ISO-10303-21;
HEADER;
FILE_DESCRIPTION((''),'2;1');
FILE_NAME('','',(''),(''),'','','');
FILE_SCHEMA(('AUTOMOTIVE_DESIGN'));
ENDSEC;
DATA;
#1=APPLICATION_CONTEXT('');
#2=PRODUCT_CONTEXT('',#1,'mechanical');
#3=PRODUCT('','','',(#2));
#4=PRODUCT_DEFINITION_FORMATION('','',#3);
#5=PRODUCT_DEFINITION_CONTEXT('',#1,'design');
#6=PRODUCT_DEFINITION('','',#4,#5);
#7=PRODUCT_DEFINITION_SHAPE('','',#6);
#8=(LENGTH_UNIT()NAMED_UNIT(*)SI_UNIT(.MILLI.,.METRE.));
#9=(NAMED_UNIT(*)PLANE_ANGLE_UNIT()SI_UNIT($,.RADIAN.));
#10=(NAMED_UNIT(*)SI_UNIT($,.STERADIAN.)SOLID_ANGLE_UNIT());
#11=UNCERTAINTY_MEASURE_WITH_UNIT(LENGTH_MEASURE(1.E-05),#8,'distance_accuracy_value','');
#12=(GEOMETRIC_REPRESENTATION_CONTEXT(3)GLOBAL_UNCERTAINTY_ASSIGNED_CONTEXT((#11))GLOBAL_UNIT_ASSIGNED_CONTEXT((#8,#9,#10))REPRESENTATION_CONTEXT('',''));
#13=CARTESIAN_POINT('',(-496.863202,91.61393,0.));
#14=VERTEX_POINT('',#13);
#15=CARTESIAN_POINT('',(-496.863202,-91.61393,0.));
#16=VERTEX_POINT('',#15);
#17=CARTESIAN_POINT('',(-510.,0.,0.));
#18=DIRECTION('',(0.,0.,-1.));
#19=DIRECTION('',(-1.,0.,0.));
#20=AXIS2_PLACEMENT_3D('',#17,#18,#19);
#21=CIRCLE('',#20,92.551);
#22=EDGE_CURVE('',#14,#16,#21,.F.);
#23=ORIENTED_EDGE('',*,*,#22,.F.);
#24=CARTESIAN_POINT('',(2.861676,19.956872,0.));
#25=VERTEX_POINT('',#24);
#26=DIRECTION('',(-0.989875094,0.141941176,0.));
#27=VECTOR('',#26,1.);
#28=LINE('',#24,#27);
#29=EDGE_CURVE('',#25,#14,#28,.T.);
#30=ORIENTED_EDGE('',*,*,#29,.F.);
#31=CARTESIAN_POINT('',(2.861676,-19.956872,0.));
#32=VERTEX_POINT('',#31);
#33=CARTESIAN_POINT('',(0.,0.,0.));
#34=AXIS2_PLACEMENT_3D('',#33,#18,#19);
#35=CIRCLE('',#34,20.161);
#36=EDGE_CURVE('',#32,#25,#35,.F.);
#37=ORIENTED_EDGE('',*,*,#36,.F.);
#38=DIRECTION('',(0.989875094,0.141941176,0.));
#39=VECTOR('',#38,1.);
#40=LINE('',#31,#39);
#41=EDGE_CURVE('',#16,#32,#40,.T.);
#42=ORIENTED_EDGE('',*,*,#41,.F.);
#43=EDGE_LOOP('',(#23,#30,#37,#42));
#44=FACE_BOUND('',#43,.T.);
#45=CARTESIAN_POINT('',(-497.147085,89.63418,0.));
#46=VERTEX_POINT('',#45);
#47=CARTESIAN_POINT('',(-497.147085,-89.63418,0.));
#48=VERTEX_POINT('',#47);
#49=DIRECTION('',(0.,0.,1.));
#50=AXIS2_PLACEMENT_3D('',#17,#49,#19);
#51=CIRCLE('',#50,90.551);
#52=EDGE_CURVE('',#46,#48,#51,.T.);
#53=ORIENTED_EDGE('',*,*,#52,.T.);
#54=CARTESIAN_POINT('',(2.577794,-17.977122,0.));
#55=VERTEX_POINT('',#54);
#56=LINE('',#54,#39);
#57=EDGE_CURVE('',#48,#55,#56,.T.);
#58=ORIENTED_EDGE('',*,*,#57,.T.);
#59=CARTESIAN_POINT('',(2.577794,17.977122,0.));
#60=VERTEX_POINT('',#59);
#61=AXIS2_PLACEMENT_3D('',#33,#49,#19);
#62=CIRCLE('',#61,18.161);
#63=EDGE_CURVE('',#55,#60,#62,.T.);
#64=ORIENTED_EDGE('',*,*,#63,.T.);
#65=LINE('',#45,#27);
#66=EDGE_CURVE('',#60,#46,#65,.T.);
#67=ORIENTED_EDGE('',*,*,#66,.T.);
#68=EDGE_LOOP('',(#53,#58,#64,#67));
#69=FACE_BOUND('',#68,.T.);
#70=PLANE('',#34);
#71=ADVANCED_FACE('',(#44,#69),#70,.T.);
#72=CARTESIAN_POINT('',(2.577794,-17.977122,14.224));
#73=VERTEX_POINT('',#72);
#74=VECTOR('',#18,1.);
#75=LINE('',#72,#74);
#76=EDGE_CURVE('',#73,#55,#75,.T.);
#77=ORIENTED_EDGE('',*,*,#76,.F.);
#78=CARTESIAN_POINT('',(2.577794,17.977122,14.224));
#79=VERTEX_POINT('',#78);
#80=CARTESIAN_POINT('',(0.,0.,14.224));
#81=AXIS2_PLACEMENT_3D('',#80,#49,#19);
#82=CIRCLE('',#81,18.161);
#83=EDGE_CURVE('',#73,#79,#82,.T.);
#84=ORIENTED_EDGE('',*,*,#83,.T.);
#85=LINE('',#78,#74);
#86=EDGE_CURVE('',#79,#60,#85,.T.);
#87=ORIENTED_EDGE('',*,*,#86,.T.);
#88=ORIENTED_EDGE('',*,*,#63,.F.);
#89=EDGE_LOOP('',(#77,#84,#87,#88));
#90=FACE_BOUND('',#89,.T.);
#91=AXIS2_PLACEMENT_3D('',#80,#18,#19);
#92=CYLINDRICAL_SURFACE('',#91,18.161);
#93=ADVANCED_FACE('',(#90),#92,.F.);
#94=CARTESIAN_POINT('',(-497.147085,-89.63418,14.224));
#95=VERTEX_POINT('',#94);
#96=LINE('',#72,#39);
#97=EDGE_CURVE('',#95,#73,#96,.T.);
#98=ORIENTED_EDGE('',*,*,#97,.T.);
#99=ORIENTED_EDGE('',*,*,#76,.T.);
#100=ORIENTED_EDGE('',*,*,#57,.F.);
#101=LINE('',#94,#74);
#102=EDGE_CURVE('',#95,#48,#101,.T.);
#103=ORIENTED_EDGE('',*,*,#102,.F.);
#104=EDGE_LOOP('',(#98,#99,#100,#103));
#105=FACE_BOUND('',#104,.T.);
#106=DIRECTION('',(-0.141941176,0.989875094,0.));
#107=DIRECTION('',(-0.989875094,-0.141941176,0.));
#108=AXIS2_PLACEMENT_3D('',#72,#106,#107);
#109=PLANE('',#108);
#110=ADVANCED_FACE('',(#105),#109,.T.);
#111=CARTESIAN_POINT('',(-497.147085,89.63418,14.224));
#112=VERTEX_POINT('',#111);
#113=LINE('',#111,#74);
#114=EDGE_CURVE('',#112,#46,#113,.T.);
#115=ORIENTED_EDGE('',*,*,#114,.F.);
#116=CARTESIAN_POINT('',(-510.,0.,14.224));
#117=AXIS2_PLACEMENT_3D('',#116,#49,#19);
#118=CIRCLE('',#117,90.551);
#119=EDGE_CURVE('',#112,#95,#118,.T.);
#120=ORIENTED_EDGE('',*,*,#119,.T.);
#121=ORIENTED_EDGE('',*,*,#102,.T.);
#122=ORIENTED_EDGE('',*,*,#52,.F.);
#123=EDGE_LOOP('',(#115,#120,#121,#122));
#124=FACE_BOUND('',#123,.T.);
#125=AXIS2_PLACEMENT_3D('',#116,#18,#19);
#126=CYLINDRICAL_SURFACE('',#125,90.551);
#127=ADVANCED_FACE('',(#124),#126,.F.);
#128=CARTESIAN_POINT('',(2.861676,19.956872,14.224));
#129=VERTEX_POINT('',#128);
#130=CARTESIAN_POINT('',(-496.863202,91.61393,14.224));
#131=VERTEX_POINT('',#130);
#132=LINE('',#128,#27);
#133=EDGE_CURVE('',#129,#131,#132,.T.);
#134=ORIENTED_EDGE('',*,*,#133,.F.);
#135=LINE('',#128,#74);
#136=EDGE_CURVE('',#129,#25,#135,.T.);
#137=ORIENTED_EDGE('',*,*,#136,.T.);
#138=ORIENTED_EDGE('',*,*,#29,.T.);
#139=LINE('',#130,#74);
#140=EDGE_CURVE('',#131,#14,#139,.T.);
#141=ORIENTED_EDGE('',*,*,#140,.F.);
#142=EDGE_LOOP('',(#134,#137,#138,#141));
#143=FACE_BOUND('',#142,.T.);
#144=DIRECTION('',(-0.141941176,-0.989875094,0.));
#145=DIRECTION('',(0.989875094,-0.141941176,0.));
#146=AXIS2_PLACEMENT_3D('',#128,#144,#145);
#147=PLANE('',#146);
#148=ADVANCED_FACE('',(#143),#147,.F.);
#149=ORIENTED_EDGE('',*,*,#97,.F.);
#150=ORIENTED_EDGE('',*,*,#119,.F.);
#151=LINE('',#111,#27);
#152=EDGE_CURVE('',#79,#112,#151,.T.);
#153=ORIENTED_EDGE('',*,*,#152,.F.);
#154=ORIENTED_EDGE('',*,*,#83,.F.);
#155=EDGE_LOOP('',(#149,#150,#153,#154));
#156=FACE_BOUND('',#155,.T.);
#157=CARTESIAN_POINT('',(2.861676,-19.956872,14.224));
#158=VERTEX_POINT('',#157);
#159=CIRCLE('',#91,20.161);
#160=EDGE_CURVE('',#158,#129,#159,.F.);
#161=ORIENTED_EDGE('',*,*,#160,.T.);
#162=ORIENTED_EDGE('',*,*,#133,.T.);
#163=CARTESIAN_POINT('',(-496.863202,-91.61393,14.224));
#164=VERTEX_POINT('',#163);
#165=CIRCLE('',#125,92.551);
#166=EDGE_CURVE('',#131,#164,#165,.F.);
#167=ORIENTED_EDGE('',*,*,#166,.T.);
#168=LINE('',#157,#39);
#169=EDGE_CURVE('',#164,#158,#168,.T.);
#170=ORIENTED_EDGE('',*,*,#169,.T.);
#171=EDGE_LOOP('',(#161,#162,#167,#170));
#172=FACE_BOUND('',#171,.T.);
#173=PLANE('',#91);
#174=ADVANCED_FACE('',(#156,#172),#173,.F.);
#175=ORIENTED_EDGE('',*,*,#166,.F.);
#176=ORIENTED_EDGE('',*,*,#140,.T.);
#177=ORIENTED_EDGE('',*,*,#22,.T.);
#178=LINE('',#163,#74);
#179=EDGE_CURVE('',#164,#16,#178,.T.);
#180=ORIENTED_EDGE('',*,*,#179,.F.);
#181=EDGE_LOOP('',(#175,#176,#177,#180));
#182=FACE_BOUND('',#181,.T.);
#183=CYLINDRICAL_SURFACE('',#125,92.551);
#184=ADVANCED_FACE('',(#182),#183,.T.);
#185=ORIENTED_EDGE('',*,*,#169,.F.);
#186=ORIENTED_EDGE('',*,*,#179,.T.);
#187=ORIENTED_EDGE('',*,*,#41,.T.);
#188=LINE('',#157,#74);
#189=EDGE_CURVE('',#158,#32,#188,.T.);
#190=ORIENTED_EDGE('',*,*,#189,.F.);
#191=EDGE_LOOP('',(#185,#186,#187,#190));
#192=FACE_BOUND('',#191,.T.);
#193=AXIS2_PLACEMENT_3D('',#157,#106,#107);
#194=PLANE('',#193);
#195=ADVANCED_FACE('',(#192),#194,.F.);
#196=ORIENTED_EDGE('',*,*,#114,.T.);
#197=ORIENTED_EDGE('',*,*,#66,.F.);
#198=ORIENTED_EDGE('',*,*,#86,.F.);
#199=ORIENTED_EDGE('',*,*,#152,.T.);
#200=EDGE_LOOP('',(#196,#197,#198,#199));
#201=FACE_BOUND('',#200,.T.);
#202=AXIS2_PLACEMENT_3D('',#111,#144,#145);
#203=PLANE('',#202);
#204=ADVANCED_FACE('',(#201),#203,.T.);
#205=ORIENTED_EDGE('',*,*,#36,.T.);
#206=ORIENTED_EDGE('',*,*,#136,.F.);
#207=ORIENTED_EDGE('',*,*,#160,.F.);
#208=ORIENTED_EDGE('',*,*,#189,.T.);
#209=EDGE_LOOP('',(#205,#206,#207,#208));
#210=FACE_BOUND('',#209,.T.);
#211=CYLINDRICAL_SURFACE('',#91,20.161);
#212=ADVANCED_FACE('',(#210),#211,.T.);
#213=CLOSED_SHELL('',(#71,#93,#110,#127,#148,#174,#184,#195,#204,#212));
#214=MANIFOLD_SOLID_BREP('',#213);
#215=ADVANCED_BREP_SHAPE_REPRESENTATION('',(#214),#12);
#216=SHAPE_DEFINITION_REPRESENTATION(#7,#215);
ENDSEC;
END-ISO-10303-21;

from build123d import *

# Parameters (mm, degrees)
EXTRUDE_THIN1_DEPTH = 14.224


with BuildPart() as part:
    # Sketch2 → Extrude-Thin1 (new body)
    with BuildSketch(Plane.XY):
        with BuildLine():
            Line((-496.863202176, 91.613929858), (2.861676059, 19.956871777))
            ThreePointArc((2.861676059, 19.956871777), (20.161, 0), (2.861676059, -19.956871777))
            Line((2.861676059, -19.956871777), (-496.863202176, -91.613929858))
            ThreePointArc((-496.863202176, -91.613929858), (-602.551, 0), (-496.863202176, 91.613929858))
        make_face()
        with BuildLine():
            Line((-497.147084529, 89.634179669), (2.577793706, 17.977121589))
            ThreePointArc((2.577793706, 17.977121589), (18.161, 0), (2.577793706, -17.977121589))
            Line((2.577793706, -17.977121589), (-497.147084529, -89.634179669))
            ThreePointArc((-497.147084529, -89.634179669), (-600.551, 0), (-497.147084529, 89.634179669))
        make_face(mode=Mode.SUBTRACT)
    extrude(amount=EXTRUDE_THIN1_DEPTH)


solid = part.part
